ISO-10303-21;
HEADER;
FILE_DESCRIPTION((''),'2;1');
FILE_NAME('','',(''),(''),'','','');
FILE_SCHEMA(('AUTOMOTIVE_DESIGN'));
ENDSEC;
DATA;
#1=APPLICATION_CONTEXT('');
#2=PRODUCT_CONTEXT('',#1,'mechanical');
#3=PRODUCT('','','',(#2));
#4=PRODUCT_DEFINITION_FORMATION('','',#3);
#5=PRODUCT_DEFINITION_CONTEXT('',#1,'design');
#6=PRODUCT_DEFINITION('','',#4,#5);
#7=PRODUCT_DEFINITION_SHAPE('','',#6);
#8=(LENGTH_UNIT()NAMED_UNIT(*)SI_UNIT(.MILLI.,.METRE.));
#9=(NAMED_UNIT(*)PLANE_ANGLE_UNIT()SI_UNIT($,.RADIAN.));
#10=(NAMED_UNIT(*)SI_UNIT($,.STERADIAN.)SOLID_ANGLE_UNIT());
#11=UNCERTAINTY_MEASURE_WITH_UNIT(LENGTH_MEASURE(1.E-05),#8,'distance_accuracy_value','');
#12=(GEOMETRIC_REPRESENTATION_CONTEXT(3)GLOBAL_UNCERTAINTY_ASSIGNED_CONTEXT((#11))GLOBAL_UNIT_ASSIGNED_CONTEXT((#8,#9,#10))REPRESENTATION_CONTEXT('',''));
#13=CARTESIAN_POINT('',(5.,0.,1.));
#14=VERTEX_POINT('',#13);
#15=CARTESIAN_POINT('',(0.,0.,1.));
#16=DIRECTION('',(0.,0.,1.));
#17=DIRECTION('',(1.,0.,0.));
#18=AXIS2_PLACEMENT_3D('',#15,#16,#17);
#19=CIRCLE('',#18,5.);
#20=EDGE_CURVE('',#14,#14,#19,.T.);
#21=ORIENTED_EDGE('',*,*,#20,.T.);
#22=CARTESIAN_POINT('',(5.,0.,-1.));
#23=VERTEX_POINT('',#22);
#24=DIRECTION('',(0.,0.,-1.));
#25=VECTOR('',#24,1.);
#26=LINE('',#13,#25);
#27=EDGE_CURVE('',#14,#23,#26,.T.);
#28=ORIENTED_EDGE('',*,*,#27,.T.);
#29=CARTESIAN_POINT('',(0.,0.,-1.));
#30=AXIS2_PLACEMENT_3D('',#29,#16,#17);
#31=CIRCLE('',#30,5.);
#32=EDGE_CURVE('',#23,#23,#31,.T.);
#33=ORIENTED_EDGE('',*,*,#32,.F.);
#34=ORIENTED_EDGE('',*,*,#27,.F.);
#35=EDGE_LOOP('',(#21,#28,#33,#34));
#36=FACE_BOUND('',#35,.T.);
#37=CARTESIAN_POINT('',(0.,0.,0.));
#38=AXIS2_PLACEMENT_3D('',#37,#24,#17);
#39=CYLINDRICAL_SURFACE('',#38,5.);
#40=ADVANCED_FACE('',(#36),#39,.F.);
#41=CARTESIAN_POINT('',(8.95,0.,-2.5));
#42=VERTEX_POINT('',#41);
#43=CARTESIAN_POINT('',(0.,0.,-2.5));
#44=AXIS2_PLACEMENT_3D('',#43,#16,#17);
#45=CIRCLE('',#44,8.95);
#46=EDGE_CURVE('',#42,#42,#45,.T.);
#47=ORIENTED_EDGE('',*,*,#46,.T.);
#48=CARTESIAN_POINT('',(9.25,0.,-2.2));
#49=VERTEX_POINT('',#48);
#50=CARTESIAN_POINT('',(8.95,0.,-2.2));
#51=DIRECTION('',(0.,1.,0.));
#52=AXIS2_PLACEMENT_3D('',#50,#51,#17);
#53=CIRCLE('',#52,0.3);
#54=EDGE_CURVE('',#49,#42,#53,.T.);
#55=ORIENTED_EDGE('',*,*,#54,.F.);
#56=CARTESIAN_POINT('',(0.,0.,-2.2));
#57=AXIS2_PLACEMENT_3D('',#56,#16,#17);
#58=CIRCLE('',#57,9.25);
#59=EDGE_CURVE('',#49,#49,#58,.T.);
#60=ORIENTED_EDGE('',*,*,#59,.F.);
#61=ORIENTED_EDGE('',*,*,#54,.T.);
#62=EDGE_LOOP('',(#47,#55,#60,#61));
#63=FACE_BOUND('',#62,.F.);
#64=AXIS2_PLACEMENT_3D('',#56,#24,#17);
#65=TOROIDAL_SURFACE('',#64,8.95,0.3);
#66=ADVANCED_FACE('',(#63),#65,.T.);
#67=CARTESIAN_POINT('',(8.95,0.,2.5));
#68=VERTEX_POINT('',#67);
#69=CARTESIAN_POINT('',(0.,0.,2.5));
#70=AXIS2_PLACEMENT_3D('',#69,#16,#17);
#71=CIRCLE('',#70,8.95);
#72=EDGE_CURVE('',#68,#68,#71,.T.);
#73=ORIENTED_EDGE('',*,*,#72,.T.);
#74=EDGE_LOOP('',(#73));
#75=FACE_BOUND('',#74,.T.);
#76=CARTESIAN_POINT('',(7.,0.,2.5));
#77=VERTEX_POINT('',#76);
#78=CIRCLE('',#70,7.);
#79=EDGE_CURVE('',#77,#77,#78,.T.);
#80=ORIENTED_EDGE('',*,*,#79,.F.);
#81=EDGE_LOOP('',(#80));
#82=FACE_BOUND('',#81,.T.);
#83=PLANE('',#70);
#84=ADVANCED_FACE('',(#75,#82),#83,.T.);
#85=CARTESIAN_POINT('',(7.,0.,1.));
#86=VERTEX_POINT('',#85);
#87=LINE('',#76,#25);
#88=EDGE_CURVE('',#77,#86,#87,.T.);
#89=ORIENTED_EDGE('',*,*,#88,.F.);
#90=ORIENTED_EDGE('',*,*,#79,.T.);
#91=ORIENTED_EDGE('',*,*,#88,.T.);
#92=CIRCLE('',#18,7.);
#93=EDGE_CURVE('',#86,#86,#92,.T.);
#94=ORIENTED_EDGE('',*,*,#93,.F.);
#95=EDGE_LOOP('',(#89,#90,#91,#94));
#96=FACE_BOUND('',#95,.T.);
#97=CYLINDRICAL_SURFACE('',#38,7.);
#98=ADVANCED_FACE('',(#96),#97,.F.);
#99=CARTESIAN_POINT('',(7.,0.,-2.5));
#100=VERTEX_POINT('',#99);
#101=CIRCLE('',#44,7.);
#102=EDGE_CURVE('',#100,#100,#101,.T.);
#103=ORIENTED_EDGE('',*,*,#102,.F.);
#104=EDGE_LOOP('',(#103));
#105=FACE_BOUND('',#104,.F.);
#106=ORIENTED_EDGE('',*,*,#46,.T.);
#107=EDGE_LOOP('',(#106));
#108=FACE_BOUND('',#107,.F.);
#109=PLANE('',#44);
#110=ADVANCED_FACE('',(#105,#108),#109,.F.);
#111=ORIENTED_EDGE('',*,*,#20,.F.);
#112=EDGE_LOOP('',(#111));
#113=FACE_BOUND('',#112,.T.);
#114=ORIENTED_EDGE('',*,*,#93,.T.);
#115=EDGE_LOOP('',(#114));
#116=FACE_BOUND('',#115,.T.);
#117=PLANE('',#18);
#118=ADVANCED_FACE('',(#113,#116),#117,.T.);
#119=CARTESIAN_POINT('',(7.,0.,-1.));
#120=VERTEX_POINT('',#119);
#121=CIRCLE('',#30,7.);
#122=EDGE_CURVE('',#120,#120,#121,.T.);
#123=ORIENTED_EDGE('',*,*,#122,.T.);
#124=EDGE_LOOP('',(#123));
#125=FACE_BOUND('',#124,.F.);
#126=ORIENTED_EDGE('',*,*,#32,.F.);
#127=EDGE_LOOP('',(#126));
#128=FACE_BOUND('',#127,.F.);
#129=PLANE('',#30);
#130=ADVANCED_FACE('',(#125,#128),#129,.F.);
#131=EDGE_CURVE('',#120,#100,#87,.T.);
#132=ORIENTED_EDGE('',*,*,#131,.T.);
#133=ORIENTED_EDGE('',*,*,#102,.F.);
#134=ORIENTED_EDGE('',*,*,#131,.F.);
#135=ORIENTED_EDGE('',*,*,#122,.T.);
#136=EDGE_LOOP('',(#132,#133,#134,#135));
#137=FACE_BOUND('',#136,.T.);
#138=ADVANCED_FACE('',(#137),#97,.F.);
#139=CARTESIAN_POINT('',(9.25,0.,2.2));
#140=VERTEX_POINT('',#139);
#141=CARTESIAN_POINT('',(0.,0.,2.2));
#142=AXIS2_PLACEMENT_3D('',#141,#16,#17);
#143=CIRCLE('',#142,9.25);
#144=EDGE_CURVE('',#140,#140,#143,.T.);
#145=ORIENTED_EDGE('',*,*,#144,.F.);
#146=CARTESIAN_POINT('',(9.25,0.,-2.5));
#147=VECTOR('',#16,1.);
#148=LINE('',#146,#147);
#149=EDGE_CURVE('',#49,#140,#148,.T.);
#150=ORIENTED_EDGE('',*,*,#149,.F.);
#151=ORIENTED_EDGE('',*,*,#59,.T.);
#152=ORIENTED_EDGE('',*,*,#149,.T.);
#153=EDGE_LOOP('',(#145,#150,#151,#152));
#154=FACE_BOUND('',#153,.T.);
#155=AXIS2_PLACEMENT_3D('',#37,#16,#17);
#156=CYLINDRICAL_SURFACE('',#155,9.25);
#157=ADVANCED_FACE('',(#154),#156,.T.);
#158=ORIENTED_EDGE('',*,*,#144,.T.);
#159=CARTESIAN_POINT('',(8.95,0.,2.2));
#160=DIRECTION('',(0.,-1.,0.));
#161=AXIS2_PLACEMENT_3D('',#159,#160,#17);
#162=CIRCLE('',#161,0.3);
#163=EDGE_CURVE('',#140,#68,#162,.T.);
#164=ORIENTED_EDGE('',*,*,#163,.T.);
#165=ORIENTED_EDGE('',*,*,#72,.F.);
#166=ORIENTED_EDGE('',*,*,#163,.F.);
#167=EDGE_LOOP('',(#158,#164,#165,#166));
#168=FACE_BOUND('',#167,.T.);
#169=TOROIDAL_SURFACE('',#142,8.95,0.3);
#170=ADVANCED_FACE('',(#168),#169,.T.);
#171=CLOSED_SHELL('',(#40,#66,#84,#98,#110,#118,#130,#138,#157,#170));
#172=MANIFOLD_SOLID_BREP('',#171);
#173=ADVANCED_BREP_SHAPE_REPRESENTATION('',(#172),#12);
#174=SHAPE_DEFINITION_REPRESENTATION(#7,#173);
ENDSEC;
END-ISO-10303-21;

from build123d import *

# Parameters (mm, degrees)
F0_R     = 9.25
F0_R_2   = 7
F1_DEPTH = 2.5
F0_R_3   = 5
F2_DEPTH = 1
F3_R     = 0.3


with BuildPart() as f1:
    # F0 (on Top) → F1 (new body, symmetric)
    with BuildSketch(Plane.XY):
        Circle(F0_R)
        Circle(F0_R_2, mode=Mode.SUBTRACT)
    extrude(amount=F1_DEPTH, both=True)

    # F0 (on Top) → F2 (join, symmetric)
    with BuildSketch(Plane.XY):
        Circle(F0_R_2)
        Circle(F0_R_3, mode=Mode.SUBTRACT)
    extrude(amount=F2_DEPTH, both=True)

    # F3
    f3_edges = [f1.edges().sort_by_distance(p)[0] for p in [
        (-9.25, 0, 2.5),
        (-9.25, 0, -2.5),
    ]]
    fillet(f3_edges, radius=F3_R)


solid = f1.part
